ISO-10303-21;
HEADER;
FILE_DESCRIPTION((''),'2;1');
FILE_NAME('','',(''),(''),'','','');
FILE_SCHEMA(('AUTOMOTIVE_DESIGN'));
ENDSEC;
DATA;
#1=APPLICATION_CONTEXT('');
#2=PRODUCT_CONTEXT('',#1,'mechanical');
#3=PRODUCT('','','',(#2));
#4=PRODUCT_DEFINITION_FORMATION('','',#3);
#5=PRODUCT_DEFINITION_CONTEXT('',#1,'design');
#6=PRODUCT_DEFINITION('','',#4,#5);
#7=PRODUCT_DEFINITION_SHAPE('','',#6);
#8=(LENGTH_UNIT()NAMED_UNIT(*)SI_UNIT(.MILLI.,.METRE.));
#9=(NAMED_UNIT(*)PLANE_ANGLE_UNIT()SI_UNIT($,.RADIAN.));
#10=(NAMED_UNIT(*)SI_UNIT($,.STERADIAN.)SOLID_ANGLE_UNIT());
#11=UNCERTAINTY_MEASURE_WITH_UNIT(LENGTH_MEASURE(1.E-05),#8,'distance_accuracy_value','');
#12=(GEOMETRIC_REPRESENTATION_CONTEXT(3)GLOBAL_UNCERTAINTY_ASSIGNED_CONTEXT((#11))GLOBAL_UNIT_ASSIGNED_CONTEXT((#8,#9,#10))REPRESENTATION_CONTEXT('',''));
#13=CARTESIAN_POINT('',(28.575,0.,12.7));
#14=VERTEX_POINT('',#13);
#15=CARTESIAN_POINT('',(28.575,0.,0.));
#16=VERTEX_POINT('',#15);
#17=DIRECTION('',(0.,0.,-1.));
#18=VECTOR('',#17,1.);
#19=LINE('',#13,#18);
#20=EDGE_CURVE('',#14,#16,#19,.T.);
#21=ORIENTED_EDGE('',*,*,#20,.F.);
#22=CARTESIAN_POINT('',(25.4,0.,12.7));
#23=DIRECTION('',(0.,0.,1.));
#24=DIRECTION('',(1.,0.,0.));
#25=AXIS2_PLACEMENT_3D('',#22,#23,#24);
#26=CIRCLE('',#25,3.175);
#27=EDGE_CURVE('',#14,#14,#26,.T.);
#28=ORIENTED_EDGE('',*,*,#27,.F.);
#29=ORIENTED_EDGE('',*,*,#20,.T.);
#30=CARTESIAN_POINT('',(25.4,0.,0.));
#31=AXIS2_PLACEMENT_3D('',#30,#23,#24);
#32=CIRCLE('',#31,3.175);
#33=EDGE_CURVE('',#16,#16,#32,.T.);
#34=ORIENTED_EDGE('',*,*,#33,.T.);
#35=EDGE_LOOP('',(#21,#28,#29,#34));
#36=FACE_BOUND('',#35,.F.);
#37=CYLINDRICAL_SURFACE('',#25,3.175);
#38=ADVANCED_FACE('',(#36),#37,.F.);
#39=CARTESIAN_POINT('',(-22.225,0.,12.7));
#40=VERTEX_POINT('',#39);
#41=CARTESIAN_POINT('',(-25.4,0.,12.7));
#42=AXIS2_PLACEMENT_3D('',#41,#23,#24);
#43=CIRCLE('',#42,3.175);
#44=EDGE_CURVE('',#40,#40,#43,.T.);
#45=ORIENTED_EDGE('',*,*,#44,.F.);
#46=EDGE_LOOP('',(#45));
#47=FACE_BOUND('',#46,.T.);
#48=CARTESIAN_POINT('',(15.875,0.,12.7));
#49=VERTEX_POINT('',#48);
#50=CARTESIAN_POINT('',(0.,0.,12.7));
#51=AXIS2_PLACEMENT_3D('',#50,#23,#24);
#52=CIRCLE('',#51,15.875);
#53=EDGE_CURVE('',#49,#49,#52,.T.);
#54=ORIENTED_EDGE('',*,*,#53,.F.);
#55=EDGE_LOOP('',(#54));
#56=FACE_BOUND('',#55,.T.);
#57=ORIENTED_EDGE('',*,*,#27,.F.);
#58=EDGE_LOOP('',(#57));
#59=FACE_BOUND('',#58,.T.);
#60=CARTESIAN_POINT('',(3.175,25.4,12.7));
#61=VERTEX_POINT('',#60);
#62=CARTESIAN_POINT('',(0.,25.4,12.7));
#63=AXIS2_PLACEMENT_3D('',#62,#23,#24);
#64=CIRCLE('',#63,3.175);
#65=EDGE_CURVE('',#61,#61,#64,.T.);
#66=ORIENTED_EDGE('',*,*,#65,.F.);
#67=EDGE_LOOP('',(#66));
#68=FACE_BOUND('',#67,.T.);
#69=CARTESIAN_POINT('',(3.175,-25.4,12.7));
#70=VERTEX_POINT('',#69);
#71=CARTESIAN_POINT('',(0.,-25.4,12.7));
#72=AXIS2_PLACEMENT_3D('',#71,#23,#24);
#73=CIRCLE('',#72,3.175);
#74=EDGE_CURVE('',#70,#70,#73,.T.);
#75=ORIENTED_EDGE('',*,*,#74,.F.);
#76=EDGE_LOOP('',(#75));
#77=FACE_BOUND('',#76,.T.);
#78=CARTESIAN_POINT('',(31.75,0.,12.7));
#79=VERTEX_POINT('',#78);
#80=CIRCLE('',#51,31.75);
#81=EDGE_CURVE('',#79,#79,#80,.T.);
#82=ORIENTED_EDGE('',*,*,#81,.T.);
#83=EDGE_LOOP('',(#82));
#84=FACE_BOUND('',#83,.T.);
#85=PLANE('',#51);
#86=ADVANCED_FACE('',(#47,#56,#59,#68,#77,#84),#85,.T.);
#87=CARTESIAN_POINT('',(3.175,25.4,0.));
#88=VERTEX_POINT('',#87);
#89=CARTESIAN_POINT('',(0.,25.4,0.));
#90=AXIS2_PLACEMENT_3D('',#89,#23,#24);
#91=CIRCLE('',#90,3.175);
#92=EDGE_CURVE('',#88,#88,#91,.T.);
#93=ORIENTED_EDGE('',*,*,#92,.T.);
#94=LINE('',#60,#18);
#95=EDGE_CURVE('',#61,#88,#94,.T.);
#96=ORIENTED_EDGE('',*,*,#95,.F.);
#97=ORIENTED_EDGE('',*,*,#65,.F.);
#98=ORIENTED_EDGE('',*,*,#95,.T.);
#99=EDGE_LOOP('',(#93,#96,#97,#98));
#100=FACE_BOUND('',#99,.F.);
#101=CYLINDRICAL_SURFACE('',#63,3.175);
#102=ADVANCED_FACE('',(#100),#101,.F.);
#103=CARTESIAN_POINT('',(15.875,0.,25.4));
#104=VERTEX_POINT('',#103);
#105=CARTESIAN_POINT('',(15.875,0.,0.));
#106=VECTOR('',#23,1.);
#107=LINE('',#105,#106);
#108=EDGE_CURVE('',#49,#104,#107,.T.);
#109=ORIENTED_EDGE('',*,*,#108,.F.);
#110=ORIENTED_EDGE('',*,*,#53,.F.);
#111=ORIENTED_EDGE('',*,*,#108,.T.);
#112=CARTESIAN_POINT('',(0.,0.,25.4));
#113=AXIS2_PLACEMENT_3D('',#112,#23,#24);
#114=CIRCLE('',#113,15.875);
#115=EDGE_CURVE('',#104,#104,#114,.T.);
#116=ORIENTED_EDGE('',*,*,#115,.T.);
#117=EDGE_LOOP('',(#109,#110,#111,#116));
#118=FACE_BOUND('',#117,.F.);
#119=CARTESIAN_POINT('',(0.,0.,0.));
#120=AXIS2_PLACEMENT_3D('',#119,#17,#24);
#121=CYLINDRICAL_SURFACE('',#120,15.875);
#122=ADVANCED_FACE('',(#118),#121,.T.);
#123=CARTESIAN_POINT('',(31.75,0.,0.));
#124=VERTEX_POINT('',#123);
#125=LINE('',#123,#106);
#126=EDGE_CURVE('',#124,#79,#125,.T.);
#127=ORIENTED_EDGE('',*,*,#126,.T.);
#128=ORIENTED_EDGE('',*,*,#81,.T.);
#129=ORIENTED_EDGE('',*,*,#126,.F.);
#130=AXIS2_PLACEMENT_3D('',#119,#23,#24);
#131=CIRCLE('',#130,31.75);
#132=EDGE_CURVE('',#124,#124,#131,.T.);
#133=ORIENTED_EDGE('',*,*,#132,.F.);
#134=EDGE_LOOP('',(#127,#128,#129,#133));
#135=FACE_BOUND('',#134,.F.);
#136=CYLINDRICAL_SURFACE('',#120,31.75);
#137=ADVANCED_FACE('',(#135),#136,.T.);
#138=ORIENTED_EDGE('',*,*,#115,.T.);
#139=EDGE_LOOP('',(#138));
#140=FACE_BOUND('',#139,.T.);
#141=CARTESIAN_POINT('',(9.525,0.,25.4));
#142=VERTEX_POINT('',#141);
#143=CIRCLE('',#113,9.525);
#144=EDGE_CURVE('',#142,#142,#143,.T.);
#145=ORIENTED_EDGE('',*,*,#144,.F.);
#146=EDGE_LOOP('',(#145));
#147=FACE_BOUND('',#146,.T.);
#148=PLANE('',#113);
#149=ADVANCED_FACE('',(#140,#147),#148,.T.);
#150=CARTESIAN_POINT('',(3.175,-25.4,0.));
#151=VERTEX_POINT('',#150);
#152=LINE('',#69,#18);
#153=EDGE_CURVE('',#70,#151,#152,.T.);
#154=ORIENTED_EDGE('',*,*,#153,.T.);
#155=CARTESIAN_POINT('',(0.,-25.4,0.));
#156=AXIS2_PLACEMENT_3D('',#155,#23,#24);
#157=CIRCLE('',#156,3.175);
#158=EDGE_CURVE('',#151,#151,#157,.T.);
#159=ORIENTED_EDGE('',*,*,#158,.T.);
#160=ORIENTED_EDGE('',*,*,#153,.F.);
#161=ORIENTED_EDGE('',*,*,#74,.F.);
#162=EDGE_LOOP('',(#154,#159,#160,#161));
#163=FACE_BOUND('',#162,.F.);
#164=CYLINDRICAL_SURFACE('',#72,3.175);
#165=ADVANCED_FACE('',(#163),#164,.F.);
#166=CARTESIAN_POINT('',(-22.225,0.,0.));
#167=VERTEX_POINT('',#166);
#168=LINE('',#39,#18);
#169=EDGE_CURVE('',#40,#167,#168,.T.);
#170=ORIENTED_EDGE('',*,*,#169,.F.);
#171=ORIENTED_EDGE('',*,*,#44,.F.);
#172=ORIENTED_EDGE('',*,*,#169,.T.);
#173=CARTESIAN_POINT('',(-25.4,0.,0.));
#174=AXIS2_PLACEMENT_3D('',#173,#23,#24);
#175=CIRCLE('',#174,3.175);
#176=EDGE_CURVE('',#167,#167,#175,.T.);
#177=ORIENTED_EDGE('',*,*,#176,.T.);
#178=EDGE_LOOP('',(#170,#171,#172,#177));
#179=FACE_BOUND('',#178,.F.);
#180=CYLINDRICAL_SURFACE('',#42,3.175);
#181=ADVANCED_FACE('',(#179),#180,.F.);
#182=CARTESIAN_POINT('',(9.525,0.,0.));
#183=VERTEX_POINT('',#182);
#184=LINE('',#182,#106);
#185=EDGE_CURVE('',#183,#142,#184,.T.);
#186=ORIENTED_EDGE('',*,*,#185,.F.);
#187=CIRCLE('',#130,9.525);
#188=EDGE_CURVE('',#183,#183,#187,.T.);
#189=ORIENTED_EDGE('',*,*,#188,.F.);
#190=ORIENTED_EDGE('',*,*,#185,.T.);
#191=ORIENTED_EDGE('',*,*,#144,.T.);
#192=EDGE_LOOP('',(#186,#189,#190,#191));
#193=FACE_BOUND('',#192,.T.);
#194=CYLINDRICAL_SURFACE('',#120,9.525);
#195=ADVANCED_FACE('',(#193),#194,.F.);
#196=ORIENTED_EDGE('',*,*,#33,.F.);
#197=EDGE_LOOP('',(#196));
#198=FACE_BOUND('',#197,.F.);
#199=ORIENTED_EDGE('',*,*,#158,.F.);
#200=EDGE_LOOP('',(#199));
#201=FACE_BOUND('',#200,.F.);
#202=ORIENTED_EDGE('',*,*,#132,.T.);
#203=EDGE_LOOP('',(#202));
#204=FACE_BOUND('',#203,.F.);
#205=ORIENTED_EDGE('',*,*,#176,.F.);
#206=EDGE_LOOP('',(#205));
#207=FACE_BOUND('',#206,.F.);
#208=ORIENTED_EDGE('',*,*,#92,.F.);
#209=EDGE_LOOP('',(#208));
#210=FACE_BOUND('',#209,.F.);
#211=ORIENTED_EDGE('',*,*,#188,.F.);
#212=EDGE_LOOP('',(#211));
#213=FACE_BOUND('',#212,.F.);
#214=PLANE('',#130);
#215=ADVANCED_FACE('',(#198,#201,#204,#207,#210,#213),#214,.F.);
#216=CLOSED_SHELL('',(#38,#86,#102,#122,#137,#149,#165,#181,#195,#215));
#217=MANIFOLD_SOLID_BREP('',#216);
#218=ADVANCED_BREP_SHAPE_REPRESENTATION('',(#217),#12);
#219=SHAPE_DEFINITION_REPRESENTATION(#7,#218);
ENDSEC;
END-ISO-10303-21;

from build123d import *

# Parameters (mm, degrees)
F0_R     = 15.875
F0_R_2   = 9.525
F1_DEPTH = 25.4
F0_R_3   = 31.75
F2_DEPTH = 12.7
F3_R     = 3.175
F4_DEPTH = 12.701


with BuildPart() as f1:
    # F0 (on Top) → F1 (new body)
    with BuildSketch(Plane.XY):
        Circle(F0_R)
        Circle(F0_R_2, mode=Mode.SUBTRACT)
    extrude(amount=F1_DEPTH)

    # F0 (on Top) → F2 (join)
    with BuildSketch(Plane.XY):
        Circle(F0_R_3)
        Circle(F0_R, mode=Mode.SUBTRACT)
    extrude(amount=F2_DEPTH)

    # F3 (on face) → F4 (cut, through all)
    with BuildSketch(Plane.XY.offset(12.7)):
        with Locations((0, 25.4)):
            Circle(F3_R)
        with Locations((25.4, 0)):
            Circle(F3_R)
        with Locations((0, -25.4)):
            Circle(F3_R)
        with Locations((-25.4, 0)):
            Circle(F3_R)
    extrude(amount=-F4_DEPTH, mode=Mode.SUBTRACT)


solid = f1.part
